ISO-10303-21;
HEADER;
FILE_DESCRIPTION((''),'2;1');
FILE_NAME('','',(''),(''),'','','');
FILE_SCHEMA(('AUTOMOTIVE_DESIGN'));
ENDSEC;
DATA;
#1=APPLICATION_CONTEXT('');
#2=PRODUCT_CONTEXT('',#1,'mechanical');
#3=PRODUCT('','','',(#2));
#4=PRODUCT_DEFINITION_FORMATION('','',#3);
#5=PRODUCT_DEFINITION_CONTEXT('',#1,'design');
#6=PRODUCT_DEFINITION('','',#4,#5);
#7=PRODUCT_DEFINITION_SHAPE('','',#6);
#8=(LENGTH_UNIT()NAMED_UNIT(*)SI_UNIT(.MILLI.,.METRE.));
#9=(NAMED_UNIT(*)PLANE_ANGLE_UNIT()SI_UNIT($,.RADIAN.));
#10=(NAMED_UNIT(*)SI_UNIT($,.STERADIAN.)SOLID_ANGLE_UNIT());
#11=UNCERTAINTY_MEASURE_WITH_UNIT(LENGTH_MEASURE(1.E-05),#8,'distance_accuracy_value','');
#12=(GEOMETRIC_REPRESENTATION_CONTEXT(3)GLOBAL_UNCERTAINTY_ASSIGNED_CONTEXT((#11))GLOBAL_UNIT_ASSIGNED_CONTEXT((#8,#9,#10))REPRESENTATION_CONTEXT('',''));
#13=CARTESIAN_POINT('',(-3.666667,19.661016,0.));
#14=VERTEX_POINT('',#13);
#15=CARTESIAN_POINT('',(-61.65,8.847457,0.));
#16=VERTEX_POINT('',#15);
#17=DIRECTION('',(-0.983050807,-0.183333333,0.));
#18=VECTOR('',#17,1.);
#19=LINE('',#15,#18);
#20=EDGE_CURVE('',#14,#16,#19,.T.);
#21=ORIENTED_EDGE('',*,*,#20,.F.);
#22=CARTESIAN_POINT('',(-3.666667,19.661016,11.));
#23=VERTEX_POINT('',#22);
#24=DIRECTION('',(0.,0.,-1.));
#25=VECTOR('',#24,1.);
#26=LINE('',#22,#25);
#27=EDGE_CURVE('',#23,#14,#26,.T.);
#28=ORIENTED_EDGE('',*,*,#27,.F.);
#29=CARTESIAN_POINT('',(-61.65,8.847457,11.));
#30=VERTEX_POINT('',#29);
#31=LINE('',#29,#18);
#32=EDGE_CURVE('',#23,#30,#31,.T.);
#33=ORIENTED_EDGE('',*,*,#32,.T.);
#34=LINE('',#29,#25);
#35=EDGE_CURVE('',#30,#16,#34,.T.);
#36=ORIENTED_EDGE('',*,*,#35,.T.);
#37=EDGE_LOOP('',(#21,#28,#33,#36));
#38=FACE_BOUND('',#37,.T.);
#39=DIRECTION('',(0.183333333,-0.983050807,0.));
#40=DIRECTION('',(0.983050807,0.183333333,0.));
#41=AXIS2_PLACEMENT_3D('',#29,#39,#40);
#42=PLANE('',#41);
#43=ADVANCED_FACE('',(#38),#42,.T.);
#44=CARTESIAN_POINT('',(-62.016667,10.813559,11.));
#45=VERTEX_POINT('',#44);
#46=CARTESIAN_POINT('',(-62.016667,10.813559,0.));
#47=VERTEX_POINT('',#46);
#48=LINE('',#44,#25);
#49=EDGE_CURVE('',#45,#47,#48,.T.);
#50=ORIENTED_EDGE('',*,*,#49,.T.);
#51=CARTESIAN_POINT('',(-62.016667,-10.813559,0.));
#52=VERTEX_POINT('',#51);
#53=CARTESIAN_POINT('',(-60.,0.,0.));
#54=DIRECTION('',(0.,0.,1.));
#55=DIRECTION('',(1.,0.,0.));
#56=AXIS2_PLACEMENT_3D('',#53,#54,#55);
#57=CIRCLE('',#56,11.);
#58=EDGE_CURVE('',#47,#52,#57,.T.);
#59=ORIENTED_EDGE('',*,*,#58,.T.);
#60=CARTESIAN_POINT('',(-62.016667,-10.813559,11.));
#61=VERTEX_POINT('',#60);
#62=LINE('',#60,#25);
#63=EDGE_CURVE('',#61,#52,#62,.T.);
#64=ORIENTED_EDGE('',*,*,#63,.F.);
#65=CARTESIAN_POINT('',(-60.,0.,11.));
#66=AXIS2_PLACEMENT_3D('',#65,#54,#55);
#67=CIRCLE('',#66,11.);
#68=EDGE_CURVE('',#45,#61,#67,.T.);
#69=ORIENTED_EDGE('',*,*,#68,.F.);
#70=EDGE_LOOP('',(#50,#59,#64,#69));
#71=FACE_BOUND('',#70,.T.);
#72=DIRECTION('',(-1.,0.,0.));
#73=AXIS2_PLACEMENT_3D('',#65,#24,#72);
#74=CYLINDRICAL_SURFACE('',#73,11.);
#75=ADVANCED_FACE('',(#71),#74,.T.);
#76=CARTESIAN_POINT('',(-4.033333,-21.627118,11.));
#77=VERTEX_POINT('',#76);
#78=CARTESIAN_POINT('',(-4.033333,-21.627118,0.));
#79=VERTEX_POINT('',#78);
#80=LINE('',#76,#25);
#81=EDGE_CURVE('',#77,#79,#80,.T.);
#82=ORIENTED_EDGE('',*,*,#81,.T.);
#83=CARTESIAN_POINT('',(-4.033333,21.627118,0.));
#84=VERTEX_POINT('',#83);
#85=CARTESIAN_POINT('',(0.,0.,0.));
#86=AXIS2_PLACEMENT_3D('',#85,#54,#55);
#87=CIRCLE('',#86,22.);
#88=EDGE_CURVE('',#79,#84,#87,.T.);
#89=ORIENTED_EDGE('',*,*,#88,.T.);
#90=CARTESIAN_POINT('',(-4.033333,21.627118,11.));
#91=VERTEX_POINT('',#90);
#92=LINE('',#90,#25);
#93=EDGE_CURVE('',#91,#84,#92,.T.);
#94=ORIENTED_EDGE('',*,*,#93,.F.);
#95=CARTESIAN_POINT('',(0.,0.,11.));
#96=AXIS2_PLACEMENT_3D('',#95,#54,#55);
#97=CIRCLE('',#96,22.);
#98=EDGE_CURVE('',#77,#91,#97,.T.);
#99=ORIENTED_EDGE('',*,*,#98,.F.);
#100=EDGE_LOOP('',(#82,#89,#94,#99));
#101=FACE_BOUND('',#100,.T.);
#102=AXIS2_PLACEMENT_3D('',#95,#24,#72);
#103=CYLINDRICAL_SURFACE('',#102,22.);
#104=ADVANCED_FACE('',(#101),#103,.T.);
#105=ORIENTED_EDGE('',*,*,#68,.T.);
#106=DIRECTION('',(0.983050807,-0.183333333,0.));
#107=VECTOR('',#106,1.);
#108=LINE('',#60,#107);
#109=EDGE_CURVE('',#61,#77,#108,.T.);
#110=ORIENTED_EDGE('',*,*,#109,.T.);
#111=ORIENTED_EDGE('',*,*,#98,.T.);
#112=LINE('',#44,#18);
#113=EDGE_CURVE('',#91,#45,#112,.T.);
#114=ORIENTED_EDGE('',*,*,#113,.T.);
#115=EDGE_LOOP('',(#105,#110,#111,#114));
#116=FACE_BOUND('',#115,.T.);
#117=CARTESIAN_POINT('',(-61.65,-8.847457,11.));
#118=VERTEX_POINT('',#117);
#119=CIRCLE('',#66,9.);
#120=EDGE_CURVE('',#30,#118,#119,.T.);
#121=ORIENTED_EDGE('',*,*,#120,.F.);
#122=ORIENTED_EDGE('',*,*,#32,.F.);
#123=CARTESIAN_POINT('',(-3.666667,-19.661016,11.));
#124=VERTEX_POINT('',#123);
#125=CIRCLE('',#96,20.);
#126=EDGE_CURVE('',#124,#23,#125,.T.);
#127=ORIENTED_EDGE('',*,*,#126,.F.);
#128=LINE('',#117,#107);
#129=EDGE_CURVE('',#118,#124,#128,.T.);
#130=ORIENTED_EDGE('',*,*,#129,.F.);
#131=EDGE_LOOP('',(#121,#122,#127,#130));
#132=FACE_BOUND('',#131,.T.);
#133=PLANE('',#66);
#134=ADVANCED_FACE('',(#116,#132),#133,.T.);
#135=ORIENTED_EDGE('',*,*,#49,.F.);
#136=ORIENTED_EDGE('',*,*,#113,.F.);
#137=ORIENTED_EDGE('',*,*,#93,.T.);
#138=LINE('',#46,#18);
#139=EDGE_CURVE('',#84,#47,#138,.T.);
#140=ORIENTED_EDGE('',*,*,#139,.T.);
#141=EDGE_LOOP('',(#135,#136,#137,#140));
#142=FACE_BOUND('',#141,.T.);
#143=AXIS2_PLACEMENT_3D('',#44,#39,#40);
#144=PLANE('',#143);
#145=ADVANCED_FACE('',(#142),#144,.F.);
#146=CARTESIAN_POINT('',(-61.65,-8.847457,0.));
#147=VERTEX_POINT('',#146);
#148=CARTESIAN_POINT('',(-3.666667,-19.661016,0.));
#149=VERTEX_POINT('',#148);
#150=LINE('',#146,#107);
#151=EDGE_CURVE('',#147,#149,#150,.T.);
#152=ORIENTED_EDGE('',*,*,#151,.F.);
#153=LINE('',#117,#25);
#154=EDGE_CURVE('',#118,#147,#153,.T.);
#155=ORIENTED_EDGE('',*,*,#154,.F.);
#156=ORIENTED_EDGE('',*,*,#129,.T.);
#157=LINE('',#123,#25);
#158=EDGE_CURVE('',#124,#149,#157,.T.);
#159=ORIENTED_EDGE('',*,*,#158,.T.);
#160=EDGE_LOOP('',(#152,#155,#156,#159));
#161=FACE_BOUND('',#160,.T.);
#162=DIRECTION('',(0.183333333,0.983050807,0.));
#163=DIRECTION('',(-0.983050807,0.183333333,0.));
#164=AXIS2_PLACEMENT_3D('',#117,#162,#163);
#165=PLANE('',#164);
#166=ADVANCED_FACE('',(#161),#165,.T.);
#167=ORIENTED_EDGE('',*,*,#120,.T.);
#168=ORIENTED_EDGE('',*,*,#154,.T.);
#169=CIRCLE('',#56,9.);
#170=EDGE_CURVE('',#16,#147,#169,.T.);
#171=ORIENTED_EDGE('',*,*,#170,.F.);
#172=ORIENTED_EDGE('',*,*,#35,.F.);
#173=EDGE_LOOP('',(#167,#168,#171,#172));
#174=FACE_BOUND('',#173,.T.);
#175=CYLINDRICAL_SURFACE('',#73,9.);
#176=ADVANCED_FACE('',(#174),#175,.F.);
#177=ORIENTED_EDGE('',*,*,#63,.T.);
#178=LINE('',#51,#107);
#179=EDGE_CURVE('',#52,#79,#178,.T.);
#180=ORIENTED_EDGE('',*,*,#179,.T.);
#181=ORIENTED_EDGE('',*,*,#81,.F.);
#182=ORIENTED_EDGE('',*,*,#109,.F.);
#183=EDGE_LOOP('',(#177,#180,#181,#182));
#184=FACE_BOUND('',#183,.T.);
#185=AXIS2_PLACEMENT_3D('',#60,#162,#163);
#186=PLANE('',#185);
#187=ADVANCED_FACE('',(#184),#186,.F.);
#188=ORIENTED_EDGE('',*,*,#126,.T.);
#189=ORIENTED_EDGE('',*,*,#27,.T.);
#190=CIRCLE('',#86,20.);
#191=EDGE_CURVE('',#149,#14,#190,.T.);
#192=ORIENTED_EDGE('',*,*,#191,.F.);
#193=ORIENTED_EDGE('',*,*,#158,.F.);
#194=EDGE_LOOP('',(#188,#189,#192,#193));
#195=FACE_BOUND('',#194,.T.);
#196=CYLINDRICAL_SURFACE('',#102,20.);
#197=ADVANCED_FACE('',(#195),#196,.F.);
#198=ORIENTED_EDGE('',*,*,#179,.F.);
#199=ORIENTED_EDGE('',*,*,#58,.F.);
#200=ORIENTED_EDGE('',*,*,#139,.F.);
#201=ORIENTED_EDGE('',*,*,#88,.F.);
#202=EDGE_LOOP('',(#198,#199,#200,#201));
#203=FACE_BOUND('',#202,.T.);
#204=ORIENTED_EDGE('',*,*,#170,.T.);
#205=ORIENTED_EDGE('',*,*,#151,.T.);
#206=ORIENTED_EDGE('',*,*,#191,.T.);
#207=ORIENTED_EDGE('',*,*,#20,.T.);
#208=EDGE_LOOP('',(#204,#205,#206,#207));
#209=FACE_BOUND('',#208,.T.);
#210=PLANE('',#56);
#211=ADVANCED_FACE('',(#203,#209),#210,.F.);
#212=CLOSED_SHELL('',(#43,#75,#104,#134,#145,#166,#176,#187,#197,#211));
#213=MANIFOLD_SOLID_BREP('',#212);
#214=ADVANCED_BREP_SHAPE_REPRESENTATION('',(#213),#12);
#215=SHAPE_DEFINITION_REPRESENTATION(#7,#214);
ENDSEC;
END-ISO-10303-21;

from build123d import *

# Parameters (mm, degrees)
EXTRUDE_1_DEPTH = 11


with BuildPart() as part:
    # 草图1 → 凸台-拉伸1 (new body)
    with BuildSketch(Plane.XY):
        with BuildLine():
            Line((-62.016666667, 10.813558876), (-4.033333333, 21.627117751))
            ThreePointArc((-4.033333333, 21.627117751), (22, 0), (-4.033333333, -21.627117751))
            Line((-4.033333333, -21.627117751), (-62.016666667, -10.813558876))
            ThreePointArc((-62.016666667, -10.813558876), (-71, 0), (-62.016666667, 10.813558876))
        make_face()
        with BuildLine():
            Line((-61.65, 8.847457262), (-3.666666667, 19.661016137))
            ThreePointArc((-3.666666667, 19.661016137), (20, 0), (-3.666666667, -19.661016137))
            Line((-3.666666667, -19.661016137), (-61.65, -8.847457262))
            ThreePointArc((-61.65, -8.847457262), (-69, 0), (-61.65, 8.847457262))
        make_face(mode=Mode.SUBTRACT)
    extrude(amount=EXTRUDE_1_DEPTH)


solid = part.part
